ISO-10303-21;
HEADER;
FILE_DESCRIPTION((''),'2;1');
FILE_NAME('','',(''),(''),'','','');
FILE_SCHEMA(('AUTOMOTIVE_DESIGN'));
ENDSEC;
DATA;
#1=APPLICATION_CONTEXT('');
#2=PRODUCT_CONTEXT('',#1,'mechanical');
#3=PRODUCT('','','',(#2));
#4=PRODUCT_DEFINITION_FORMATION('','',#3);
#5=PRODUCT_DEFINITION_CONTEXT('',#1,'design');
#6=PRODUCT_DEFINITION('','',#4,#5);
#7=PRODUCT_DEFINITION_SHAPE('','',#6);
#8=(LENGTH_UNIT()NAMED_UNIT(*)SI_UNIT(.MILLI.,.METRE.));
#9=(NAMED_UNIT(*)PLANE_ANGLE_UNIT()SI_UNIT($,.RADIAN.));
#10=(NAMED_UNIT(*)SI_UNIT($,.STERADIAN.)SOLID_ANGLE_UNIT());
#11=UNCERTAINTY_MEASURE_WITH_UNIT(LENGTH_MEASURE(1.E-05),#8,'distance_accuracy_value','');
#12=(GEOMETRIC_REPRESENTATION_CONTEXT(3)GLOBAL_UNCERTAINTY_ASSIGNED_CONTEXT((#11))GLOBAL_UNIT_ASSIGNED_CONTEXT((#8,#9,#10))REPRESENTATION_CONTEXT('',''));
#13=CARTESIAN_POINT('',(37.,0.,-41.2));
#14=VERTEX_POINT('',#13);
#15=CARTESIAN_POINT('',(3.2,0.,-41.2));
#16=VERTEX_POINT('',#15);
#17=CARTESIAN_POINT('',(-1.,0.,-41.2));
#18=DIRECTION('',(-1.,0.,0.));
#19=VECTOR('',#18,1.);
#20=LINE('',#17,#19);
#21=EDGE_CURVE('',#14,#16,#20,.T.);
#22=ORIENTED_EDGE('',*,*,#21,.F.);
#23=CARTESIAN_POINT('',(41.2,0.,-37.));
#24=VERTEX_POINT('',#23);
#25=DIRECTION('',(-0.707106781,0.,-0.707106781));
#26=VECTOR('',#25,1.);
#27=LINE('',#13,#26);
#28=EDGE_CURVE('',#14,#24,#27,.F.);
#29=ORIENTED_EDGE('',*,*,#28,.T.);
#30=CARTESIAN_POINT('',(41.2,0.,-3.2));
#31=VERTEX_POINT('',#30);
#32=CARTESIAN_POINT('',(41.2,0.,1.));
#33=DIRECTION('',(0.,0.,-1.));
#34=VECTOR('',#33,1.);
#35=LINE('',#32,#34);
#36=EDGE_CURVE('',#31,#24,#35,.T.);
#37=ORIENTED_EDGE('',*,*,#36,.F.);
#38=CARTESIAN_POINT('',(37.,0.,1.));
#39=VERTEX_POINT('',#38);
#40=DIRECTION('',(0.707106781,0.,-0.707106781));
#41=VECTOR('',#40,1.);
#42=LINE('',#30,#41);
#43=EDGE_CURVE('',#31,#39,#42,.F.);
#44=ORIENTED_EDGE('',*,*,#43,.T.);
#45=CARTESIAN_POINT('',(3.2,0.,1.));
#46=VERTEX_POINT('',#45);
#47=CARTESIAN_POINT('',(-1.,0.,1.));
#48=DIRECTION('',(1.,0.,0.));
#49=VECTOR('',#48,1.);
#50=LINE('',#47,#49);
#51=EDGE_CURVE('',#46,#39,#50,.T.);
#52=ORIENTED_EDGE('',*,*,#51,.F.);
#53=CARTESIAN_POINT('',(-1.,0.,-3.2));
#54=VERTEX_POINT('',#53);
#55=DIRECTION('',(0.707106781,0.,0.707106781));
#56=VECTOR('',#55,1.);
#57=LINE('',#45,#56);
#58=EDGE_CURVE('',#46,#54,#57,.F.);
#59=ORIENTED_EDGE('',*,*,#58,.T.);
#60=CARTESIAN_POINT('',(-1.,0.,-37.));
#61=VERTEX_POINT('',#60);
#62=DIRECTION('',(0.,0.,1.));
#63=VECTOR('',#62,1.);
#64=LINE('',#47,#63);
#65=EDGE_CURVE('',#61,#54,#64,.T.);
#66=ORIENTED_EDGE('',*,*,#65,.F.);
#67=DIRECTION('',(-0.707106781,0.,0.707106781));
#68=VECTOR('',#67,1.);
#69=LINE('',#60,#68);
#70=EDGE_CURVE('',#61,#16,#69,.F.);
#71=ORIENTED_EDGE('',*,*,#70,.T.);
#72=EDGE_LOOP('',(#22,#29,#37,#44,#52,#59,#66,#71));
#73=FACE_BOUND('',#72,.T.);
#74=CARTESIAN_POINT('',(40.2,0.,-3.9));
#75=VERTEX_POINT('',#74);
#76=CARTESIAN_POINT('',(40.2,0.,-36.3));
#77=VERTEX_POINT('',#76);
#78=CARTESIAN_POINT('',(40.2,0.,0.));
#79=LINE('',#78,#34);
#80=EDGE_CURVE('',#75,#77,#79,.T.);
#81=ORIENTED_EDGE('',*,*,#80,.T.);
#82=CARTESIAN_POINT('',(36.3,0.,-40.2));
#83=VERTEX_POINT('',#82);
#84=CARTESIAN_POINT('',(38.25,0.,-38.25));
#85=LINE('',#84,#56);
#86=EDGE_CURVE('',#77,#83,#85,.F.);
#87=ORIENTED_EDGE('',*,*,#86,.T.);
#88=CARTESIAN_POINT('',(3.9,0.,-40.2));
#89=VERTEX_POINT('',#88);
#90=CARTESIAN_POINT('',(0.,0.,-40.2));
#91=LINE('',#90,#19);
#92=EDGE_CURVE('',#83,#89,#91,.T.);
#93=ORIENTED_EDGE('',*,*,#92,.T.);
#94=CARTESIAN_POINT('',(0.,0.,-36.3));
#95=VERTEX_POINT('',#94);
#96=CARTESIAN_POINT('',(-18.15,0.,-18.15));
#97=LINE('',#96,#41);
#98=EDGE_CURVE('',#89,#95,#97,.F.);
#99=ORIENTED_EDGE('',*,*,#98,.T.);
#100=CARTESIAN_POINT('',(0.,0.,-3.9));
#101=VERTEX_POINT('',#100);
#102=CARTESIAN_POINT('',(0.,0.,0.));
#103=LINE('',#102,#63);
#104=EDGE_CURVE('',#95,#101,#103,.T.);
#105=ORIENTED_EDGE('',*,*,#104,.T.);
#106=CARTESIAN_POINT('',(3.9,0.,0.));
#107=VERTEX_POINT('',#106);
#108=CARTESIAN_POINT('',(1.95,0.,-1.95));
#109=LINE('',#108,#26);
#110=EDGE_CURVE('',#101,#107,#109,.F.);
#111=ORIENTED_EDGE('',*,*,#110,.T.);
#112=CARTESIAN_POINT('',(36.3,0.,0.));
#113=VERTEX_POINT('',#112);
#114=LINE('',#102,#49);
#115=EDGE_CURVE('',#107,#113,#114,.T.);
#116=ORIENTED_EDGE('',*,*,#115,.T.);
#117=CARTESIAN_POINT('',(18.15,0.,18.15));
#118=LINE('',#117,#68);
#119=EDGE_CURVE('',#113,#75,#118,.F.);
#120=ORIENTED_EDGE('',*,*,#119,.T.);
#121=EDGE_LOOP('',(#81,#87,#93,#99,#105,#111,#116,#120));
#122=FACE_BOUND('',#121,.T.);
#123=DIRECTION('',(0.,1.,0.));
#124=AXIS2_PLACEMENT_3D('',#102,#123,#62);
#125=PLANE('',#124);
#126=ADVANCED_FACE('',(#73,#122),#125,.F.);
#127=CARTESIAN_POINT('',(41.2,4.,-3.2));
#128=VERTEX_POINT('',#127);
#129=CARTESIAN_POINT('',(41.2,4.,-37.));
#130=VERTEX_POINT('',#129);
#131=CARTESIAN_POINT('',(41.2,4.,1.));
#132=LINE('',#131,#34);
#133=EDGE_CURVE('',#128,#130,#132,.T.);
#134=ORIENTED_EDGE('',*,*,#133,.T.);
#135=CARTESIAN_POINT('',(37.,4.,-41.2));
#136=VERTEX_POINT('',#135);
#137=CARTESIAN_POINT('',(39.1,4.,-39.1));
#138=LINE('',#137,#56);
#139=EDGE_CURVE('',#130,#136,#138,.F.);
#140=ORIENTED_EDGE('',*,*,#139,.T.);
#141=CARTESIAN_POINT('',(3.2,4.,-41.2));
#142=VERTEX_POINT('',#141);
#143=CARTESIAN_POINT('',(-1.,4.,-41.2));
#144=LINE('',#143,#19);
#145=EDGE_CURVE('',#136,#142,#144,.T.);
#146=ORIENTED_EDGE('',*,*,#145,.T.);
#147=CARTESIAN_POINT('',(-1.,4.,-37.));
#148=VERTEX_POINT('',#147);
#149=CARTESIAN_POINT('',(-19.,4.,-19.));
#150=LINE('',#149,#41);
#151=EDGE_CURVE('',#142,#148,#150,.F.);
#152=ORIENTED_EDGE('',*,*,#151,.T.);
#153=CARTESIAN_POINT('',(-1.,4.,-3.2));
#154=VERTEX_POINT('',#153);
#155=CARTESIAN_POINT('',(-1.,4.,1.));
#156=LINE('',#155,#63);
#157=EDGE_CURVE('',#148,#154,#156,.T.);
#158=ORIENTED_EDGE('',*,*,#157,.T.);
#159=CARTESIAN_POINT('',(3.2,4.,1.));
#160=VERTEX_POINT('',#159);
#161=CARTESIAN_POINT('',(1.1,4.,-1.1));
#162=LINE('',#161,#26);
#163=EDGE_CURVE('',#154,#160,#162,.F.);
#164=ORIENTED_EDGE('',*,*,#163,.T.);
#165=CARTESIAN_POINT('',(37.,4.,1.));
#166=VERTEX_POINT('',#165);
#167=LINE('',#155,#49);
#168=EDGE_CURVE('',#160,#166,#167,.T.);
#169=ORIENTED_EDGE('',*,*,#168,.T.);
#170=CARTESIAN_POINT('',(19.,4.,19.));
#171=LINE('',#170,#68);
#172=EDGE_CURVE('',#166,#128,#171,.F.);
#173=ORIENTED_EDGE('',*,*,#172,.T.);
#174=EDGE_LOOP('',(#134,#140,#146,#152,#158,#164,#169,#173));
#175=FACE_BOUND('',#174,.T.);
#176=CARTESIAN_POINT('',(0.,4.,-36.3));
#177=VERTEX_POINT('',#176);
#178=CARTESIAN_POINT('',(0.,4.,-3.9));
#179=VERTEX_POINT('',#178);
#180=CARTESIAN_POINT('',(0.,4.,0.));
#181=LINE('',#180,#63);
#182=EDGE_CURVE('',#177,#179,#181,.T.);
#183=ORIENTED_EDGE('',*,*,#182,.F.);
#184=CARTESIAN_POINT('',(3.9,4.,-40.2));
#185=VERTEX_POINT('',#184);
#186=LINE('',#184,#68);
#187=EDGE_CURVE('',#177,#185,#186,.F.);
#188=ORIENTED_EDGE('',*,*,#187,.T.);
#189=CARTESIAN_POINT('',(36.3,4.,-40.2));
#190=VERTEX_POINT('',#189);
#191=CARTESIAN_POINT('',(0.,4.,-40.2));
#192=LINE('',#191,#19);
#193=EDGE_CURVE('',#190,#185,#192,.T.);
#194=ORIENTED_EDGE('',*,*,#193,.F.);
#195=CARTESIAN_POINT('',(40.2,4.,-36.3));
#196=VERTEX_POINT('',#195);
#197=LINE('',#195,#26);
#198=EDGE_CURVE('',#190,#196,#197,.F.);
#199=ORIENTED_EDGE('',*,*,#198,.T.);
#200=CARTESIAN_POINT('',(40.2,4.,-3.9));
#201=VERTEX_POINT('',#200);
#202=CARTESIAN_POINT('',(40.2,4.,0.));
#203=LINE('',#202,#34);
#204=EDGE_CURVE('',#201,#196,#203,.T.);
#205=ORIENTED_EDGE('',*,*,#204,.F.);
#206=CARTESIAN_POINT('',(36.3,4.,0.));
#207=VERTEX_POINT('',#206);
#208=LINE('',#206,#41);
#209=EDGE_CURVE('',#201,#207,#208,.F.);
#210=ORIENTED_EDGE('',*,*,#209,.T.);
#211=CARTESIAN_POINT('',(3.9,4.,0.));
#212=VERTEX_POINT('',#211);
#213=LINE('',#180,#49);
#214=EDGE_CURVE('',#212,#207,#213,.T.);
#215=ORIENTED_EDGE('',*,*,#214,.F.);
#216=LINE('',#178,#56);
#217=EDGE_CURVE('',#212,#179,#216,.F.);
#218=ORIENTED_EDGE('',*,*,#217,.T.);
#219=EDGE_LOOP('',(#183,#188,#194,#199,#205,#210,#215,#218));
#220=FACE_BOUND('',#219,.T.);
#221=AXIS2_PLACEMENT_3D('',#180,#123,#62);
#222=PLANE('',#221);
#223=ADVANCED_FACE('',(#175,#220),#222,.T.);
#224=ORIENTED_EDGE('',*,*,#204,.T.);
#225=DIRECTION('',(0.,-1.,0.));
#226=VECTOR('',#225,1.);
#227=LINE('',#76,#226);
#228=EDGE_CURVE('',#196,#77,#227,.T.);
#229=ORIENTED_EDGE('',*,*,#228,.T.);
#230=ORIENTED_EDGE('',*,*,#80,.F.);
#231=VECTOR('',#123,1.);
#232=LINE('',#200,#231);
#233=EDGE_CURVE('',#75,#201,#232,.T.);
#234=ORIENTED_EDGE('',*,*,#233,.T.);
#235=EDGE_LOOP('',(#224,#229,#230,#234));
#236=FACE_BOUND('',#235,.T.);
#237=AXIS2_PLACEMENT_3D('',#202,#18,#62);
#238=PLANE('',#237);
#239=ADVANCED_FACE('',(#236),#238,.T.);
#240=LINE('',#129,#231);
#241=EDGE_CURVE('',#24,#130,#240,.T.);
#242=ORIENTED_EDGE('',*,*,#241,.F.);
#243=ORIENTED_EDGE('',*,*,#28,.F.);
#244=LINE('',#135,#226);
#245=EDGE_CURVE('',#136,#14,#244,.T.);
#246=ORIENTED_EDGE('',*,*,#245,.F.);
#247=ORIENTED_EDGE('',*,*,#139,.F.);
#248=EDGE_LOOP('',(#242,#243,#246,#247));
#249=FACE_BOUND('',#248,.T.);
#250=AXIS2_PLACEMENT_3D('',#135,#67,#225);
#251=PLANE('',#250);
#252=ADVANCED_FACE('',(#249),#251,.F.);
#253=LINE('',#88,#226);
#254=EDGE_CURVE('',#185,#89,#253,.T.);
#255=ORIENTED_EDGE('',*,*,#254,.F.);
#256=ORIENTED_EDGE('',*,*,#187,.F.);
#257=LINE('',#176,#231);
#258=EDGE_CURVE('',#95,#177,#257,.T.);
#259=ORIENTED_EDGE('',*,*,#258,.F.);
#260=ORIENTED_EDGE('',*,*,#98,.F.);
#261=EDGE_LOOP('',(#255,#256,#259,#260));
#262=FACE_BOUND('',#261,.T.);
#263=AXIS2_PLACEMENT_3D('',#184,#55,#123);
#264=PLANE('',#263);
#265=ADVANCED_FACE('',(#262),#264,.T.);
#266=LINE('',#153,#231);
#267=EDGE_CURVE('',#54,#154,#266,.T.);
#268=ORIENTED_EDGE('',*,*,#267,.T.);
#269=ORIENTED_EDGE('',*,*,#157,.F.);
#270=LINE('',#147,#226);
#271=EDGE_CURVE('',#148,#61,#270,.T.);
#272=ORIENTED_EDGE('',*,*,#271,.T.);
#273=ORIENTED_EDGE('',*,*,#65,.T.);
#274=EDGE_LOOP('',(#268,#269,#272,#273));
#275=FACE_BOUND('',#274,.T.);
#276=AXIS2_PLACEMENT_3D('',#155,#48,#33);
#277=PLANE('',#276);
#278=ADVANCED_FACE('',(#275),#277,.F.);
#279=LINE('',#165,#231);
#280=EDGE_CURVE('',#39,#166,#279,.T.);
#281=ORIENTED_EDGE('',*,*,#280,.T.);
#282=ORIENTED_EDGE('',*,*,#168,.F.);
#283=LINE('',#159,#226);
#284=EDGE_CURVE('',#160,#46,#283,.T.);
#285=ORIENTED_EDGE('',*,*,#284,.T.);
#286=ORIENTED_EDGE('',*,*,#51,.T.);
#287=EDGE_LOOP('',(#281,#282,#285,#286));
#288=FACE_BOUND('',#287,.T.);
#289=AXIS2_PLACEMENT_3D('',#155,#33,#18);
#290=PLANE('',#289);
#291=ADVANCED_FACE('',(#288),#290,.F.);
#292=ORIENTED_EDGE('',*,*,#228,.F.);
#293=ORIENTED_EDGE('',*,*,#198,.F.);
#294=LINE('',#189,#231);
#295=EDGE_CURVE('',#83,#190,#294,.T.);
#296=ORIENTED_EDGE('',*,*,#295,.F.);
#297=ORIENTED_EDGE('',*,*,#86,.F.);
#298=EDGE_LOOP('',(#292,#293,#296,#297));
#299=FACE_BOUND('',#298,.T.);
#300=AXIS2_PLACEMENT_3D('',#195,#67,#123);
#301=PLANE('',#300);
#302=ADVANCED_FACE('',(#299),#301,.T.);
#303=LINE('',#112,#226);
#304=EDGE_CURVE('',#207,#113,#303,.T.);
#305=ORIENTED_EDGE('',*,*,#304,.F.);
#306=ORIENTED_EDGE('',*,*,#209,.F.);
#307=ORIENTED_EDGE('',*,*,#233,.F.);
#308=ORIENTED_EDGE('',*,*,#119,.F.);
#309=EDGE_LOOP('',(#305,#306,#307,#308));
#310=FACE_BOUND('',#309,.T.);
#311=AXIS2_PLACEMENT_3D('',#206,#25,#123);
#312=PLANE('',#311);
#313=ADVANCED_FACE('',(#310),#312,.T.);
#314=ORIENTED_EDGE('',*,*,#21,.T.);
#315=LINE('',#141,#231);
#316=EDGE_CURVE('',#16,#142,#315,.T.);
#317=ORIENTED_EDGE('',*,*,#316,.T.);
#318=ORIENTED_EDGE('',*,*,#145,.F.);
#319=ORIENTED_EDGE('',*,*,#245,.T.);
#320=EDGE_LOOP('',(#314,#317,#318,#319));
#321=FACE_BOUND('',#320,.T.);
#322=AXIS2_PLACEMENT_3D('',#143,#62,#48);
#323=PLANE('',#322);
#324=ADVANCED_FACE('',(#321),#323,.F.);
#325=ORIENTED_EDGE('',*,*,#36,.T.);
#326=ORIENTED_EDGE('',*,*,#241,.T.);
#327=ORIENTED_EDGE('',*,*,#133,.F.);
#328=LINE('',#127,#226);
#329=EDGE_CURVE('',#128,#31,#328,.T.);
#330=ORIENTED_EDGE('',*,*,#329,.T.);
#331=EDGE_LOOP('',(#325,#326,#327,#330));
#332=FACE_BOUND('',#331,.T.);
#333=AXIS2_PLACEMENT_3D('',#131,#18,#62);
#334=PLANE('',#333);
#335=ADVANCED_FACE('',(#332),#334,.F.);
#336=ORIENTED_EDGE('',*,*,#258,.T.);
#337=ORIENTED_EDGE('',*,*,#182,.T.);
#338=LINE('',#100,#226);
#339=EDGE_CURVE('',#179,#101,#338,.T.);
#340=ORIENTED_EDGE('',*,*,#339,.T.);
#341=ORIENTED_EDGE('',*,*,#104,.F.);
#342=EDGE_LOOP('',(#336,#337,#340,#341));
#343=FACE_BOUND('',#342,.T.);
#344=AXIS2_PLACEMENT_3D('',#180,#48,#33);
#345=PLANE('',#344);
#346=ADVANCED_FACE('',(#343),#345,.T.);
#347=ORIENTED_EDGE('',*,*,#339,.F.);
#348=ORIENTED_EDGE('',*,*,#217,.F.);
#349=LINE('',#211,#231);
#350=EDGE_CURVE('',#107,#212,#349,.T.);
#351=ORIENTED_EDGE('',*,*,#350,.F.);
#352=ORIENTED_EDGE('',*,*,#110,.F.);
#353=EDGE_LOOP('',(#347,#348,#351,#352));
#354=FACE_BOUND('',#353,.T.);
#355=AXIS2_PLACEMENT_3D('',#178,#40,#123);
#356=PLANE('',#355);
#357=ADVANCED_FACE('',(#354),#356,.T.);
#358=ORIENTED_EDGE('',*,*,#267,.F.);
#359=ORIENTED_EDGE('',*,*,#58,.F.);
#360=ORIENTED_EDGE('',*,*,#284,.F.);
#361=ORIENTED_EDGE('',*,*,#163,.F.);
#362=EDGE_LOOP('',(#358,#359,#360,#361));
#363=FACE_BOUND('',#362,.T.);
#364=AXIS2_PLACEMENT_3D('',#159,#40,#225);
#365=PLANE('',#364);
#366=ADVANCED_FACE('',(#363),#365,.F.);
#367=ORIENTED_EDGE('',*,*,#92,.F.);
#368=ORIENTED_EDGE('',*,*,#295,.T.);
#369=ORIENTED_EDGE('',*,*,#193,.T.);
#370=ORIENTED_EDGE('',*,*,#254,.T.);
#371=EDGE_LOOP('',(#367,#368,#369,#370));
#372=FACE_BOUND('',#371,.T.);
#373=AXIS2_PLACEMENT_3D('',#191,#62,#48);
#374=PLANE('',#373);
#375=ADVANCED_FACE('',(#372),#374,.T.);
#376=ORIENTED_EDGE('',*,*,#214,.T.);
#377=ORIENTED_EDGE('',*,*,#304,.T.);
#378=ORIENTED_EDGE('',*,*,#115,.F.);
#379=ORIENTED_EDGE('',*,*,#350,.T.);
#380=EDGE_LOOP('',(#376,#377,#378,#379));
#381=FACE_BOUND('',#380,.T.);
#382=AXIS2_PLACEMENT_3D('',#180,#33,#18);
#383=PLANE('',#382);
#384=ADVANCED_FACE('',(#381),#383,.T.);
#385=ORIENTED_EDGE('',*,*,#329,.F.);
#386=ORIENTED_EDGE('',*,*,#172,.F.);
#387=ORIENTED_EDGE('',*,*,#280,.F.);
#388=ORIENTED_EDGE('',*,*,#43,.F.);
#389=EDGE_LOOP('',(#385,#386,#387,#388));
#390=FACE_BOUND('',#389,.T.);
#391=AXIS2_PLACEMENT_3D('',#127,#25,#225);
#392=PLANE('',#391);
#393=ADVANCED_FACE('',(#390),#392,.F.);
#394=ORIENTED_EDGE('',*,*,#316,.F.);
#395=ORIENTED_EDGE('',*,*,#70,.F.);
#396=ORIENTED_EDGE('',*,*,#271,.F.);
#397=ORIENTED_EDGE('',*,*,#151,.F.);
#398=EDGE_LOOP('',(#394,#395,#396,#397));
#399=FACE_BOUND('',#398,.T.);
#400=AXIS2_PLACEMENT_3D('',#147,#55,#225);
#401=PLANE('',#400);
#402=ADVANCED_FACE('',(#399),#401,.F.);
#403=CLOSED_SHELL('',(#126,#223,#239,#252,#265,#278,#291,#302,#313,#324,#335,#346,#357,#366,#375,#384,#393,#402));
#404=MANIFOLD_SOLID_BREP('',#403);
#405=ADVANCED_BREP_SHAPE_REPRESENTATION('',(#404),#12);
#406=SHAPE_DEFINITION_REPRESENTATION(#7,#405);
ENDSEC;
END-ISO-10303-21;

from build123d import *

# Parameters (mm, degrees)
SKETCH_1_W      = 42.2
SKETCH_1_H      = 42.2
SKETCH_1_W_2    = 40.2
SKETCH_1_H_2    = 40.2
EXTRUDE_1_DEPTH = 4
CHAMFER_1_SIZE  = 3.9
CHAMFER_2_SIZE  = 4.2


with BuildPart() as part:
    # 草图1 → 凸台-拉伸1 (new body)
    with BuildSketch(Plane(origin=(0, 0, 0), x_dir=(1, 0, 0), z_dir=(0, 1, 0))):
        with Locations((20.1, 20.1)):
            Rectangle(SKETCH_1_W, SKETCH_1_H)
        with Locations((20.1, 20.1)):
            Rectangle(SKETCH_1_W_2, SKETCH_1_H_2, mode=Mode.SUBTRACT)
    extrude(amount=EXTRUDE_1_DEPTH)

    # 倒角1
    chamfer_1_edges = [part.edges().sort_by_distance(p)[0] for p in [
        (0, 2, -40.2),
        (0, 2, 0),
        (40.2, 2, 0),
        (40.2, 2, -40.2),
    ]]
    chamfer(chamfer_1_edges, length=CHAMFER_1_SIZE)

    # 倒角2
    chamfer_2_edges = [part.edges().sort_by_distance(p)[0] for p in [
        (-1, 2, 1),
        (-1, 2, -41.2),
        (41.2, 2, -41.2),
        (41.2, 2, 1),
    ]]
    chamfer(chamfer_2_edges, length=CHAMFER_2_SIZE)


solid = part.part
